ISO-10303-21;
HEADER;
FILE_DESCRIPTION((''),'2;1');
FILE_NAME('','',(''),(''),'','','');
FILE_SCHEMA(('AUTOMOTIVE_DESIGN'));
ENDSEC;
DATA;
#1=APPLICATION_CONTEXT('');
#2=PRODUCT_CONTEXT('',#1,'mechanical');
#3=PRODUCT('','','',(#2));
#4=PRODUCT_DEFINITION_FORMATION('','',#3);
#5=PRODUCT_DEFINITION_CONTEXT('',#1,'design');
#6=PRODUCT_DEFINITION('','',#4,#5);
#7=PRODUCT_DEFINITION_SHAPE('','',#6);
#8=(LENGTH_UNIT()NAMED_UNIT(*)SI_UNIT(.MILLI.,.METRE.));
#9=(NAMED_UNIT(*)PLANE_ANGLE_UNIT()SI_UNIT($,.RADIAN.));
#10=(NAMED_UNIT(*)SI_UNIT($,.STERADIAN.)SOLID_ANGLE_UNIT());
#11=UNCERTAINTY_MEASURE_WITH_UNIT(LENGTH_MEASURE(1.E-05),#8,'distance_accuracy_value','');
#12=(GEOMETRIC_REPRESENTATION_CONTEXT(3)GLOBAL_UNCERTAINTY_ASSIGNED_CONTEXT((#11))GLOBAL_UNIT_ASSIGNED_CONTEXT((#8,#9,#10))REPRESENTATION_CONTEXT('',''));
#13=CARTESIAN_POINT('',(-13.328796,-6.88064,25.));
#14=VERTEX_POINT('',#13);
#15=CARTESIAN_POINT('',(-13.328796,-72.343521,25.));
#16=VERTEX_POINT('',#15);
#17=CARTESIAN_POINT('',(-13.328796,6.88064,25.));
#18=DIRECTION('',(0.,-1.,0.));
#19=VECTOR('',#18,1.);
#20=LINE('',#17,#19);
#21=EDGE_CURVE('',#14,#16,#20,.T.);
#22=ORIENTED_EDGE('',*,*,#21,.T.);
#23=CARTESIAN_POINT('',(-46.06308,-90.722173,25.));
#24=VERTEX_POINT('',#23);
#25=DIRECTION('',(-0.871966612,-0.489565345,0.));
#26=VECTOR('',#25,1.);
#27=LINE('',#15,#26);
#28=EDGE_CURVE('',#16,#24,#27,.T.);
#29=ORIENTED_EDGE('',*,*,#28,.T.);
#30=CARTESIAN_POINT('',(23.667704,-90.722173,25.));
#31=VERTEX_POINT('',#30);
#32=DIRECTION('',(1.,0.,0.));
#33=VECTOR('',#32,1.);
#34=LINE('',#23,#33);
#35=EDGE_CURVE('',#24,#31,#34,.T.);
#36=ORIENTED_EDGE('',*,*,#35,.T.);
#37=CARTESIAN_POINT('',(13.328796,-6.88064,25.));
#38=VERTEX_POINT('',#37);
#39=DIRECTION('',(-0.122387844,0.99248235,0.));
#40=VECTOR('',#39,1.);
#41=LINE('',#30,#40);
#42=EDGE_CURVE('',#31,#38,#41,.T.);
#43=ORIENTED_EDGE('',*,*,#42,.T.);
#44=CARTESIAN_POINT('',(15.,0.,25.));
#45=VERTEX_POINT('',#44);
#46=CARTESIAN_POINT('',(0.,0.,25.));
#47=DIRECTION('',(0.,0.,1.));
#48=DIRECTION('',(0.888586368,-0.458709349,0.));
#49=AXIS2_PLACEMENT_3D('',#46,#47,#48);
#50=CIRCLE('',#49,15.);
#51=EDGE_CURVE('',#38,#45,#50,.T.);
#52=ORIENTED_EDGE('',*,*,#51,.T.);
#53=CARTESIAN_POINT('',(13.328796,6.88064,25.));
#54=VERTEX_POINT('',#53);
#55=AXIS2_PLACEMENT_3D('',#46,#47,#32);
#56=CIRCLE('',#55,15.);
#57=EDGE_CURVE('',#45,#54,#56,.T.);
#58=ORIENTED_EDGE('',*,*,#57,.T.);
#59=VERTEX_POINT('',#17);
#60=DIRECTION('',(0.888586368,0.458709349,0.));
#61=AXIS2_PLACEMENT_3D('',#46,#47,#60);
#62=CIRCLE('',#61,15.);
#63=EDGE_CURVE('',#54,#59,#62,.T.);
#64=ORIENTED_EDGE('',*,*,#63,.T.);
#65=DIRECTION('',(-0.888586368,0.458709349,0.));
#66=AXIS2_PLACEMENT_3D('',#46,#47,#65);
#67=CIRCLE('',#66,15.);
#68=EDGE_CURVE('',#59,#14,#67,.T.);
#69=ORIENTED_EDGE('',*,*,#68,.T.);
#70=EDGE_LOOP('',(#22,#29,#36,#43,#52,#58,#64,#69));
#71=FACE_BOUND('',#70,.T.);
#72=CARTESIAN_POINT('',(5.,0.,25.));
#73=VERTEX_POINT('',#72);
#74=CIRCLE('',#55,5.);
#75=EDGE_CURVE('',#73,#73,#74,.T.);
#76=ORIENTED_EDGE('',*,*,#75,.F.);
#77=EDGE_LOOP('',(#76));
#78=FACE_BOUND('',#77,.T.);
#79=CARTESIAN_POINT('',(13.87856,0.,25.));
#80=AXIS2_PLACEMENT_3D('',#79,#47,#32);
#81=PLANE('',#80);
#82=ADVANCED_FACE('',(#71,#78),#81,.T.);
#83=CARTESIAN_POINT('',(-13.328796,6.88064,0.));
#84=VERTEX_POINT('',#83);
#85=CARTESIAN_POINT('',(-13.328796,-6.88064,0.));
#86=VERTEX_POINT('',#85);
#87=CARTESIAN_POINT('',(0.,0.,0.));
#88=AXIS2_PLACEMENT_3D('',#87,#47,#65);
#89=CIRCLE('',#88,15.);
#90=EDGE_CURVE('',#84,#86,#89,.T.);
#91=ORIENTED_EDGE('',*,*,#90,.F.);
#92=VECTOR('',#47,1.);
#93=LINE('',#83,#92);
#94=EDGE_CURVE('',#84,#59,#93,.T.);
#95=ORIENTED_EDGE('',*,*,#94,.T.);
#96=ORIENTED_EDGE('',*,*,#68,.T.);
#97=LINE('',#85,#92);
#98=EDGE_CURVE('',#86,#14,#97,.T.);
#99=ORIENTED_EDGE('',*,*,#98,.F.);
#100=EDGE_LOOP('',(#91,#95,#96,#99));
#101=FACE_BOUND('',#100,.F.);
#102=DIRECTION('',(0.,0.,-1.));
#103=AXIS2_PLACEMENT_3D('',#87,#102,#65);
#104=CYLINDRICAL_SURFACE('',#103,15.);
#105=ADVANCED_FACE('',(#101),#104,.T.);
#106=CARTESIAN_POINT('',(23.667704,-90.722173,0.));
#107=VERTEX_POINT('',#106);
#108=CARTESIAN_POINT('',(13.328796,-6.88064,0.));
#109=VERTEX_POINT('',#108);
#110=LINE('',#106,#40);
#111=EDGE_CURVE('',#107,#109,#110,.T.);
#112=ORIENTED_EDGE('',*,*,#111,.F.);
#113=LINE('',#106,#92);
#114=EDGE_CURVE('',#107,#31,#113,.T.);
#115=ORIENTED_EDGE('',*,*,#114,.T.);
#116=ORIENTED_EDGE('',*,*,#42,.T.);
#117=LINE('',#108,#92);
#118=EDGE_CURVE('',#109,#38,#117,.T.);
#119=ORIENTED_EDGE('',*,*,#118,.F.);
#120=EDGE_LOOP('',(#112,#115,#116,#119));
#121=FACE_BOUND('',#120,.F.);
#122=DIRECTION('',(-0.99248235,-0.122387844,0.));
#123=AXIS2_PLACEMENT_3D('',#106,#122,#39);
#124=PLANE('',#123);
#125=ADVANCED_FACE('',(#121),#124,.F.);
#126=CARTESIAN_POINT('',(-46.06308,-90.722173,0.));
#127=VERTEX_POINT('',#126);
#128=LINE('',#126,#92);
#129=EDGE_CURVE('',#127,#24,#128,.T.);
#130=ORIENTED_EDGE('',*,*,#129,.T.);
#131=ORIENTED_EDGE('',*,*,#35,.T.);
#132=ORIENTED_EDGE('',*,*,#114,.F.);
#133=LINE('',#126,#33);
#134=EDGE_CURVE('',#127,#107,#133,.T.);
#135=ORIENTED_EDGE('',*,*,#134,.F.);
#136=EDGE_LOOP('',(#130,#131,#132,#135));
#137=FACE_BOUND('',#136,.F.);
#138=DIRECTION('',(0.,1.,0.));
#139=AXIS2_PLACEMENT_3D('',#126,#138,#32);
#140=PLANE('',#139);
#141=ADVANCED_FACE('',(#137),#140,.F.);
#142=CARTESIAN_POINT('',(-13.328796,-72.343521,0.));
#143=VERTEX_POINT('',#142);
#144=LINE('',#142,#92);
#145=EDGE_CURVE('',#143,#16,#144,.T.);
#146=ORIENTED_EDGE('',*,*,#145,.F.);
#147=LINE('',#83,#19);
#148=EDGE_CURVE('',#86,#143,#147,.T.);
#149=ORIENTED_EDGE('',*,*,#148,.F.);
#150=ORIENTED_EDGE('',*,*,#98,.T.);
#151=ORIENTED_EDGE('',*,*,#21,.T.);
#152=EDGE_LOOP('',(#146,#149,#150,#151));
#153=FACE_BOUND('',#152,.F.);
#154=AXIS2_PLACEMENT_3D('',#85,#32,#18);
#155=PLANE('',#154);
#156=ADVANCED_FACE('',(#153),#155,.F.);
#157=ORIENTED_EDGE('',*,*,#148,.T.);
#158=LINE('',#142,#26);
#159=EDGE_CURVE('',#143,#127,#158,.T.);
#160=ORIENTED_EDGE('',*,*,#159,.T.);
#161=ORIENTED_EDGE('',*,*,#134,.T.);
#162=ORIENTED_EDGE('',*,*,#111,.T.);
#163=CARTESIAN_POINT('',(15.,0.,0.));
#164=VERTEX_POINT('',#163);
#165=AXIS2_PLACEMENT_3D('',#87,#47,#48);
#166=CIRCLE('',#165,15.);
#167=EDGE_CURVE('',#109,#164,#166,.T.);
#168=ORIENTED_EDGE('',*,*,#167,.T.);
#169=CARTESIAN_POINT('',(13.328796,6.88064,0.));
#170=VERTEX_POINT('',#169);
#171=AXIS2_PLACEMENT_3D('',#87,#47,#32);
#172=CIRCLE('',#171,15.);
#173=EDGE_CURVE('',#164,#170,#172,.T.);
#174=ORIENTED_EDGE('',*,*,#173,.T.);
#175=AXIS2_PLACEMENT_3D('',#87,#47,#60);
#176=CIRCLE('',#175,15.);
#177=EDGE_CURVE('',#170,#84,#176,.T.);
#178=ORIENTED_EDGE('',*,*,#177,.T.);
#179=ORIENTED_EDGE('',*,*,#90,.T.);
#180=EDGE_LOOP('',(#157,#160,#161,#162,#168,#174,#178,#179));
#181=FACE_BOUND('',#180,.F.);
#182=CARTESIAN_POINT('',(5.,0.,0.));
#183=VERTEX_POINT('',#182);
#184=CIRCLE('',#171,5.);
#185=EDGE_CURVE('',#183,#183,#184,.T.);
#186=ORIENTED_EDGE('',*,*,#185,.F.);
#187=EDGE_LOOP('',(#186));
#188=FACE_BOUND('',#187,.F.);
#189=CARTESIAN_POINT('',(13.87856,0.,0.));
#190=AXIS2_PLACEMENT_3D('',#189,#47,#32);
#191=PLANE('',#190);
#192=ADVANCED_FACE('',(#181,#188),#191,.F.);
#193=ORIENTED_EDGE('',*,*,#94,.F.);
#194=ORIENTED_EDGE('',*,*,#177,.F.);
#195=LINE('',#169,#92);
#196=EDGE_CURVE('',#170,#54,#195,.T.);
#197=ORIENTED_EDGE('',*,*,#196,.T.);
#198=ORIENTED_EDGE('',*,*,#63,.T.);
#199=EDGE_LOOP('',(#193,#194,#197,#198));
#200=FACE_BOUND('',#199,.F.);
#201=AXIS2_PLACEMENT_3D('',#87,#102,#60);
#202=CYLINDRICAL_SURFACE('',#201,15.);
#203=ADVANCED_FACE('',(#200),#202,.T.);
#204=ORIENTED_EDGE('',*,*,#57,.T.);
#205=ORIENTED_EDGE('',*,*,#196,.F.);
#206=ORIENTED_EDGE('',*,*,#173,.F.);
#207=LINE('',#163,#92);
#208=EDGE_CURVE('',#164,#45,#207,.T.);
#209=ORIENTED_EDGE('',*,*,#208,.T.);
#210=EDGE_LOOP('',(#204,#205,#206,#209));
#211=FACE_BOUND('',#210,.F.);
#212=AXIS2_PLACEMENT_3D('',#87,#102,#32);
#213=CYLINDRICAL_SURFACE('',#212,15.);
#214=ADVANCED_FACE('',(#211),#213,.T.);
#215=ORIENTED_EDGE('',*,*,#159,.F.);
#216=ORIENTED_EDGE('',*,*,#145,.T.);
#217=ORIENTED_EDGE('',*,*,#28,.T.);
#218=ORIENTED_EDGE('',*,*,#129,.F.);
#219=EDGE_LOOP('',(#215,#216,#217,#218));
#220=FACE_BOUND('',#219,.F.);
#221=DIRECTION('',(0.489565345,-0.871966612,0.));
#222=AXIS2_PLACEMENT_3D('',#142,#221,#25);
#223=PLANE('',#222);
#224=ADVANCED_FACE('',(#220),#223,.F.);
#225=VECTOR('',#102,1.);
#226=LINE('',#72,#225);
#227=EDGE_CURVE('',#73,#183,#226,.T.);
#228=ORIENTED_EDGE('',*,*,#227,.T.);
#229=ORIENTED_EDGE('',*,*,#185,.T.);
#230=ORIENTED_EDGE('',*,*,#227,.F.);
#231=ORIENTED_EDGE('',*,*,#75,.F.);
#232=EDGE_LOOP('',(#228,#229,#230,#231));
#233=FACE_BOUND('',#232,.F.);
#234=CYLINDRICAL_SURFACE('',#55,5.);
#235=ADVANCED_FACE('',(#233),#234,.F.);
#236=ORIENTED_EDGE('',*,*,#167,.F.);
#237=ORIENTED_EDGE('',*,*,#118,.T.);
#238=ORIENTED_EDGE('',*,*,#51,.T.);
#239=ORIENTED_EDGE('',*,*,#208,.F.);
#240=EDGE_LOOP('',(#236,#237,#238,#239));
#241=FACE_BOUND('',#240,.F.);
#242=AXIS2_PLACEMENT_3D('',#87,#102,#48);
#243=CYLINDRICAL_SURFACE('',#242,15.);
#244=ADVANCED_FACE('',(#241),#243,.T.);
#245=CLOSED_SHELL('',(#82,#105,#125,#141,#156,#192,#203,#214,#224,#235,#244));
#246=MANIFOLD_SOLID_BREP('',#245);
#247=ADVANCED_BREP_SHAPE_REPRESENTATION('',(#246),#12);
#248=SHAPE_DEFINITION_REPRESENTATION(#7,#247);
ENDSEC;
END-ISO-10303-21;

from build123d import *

# Parameters (mm, degrees)
F0_W     = 26.6575910372
F0_H     = 13.761280467
F1_DEPTH = 25
F2_R     = 5
F3_DEPTH = 25


with BuildPart() as f1:
    # F0 (on Top) → F1 (new body)
    with BuildSketch(Plane.XY):
        with BuildLine():
            ThreePointArc((13.3287955186, -6.8806402335), (14.5762123472, -3.5403437136), (15, 0))
            ThreePointArc((15, 0), (14.5762123472, 3.5403437136), (13.3287955186, 6.8806402335))
            Line((13.3287955186, 6.8806402335), (13.3287955186, -6.8806402335))
        make_face()
        with BuildLine():
            Line((-13.3287955186, 6.8806402335), (13.3287955186, 6.8806402335))
            ThreePointArc((13.3287955186, 6.8806402335), (0, 15), (-13.3287955186, 6.8806402335))
        make_face()
        Rectangle(F0_W, F0_H)
        with BuildLine():
            Line((23.667704314, -90.7221734524), (13.3287955186, -6.8806402335))
            ThreePointArc((13.3287955186, -6.8806402335), (0, -15), (-13.3287955186, -6.8806402335))
            Line((-13.3287955186, -6.8806402335), (-13.3287955186, -42.6136367023))
            Line((-13.3287955186, -42.6136367023), (-13.3287955186, -72.3435208201))
            Line((-13.3287955186, -72.3435208201), (-46.06308043, -90.7221734524))
            Line((-46.06308043, -90.7221734524), (23.667704314, -90.7221734524))
        make_face()
        with BuildLine():
            ThreePointArc((-13.3287955186, -6.8806402335), (0, -15), (13.3287955186, -6.8806402335))
            Line((13.3287955186, -6.8806402335), (-13.3287955186, -6.8806402335))
        make_face()
        with BuildLine():
            Line((-13.3287955186, -6.8806402335), (-13.3287955186, 6.8806402335))
            ThreePointArc((-13.3287955186, 6.8806402335), (-15, 0), (-13.3287955186, -6.8806402335))
        make_face()
    extrude(amount=F1_DEPTH)

    # F2 (on face) → F3 (cut)
    with BuildSketch(Plane.XY.offset(25)):
        Circle(F2_R)
    extrude(amount=-F3_DEPTH, mode=Mode.SUBTRACT)


solid = f1.part
